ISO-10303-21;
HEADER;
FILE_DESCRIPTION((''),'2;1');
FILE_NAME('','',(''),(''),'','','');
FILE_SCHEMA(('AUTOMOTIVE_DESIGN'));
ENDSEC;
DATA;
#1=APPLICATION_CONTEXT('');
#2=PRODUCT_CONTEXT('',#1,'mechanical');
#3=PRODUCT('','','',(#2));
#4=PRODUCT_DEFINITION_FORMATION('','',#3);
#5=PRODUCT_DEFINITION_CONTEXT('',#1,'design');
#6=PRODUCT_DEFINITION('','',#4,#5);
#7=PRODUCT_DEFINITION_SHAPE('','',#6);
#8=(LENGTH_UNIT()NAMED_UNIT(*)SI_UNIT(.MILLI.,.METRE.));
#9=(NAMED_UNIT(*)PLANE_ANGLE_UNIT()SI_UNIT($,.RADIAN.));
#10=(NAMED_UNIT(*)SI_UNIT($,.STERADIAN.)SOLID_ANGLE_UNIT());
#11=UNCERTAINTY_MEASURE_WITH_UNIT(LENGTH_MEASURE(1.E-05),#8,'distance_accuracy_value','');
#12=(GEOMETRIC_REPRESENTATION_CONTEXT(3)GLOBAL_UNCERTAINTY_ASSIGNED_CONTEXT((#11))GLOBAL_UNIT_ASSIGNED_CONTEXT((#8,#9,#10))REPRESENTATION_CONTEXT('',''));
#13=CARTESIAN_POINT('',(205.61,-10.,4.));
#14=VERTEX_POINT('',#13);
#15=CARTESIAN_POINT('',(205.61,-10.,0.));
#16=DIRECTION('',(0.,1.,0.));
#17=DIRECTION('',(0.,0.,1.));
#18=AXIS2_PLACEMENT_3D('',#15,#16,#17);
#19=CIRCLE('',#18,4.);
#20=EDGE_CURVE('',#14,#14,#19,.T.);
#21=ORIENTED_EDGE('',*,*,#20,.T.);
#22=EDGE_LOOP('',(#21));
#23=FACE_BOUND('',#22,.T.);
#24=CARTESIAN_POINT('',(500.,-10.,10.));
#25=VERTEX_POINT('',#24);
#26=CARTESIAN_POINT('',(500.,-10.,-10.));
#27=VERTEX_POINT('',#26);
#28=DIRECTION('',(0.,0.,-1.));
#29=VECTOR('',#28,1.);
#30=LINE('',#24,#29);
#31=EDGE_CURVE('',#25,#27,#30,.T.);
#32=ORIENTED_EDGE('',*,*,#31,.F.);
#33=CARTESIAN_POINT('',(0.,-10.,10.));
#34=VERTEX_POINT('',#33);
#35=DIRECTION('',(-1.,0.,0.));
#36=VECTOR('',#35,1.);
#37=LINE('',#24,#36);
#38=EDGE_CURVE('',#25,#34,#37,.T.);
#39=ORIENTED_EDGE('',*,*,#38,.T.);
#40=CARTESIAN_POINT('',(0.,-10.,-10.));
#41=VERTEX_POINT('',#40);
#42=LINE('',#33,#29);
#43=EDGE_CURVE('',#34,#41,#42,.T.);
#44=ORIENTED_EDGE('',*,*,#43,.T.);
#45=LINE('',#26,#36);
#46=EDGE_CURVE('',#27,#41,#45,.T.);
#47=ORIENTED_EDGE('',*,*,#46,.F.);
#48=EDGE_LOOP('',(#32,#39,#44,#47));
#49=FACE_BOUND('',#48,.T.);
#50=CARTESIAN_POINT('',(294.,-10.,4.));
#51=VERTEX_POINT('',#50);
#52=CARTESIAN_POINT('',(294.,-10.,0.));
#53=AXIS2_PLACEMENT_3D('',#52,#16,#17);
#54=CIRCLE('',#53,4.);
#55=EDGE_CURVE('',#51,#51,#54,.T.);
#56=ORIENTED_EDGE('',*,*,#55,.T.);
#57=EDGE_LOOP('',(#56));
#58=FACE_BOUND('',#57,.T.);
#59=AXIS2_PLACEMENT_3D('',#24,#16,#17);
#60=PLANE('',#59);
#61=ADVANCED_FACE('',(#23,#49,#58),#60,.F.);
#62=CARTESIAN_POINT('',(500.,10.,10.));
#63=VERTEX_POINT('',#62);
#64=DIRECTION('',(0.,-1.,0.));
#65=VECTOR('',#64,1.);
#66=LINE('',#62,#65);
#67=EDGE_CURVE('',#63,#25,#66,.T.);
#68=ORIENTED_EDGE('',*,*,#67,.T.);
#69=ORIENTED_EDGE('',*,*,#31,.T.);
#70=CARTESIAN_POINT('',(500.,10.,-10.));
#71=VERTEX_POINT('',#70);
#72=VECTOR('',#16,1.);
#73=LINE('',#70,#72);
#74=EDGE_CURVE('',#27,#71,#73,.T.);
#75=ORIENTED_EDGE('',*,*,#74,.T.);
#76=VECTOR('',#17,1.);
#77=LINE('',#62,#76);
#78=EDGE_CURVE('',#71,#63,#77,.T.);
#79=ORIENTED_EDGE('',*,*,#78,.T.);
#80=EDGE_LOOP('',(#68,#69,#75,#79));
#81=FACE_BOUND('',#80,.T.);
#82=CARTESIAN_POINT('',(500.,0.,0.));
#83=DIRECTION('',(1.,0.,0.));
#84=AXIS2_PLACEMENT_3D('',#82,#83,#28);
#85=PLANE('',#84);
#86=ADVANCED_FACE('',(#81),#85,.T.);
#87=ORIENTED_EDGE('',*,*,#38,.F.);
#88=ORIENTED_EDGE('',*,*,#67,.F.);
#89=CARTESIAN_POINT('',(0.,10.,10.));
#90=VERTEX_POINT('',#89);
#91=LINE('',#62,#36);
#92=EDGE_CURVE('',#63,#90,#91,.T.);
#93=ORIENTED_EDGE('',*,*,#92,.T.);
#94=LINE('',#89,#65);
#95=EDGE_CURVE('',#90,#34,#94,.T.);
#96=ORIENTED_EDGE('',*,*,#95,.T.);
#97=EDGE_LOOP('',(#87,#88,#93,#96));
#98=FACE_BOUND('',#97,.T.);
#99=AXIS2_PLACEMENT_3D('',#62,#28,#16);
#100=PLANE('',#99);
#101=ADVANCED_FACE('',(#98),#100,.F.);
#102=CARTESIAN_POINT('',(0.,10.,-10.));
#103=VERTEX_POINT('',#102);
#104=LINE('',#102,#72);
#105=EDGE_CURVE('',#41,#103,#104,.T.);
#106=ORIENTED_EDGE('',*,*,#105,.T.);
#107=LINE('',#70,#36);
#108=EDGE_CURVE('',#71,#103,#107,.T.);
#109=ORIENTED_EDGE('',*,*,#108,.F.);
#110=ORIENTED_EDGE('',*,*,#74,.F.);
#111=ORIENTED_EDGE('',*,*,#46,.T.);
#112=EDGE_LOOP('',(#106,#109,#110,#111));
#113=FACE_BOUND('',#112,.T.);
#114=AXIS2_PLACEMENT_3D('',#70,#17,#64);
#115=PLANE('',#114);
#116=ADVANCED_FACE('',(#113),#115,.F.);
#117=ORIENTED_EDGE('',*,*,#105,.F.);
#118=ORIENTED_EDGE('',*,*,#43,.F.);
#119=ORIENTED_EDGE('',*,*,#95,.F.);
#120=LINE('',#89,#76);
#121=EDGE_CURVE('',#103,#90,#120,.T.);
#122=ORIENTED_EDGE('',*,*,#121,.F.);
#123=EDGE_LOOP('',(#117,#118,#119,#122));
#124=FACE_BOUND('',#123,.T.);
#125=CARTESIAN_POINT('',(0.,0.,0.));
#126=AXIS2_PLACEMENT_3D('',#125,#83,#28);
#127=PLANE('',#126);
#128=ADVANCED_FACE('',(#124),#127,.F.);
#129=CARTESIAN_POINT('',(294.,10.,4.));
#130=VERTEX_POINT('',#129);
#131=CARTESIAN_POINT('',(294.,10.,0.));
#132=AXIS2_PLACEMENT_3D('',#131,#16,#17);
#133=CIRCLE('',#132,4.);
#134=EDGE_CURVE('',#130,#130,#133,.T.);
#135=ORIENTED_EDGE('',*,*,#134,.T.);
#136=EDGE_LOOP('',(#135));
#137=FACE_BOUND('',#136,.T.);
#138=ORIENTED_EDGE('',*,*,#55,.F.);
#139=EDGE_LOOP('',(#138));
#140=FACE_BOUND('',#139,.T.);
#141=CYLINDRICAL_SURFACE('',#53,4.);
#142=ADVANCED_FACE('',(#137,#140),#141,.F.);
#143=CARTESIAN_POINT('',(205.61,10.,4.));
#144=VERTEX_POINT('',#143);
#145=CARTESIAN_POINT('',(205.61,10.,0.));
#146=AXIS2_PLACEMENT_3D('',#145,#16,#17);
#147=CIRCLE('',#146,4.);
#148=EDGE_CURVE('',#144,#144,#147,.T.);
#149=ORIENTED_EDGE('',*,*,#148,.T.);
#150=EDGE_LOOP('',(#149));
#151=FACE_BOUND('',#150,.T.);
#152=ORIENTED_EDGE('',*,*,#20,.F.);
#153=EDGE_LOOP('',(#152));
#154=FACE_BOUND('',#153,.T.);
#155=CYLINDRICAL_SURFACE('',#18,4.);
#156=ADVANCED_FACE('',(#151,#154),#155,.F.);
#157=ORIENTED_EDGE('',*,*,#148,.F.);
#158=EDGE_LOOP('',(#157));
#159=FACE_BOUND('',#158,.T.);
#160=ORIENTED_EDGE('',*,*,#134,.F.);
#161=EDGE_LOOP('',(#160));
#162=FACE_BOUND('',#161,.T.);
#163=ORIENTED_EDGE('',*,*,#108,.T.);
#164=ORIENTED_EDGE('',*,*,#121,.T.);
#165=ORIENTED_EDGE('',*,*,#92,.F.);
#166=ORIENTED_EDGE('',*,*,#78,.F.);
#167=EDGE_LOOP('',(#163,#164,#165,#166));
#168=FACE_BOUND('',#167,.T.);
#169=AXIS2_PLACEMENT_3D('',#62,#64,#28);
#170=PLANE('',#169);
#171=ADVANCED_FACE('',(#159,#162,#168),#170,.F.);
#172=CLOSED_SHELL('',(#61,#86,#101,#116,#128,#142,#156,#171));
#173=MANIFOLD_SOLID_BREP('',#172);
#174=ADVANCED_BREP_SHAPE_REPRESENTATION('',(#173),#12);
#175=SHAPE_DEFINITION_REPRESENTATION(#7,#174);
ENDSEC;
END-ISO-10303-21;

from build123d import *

# Parameters (mm, degrees)
SKETCH1_W           = 20
SKETCH1_H           = 20
BOSS_EXTRUDE1_DEPTH = 500
SKETCH2_R           = 4
CUT_EXTRUDE1_DEPTH  = 501.49975025


with BuildPart() as part:
    # Sketch1 → Boss-Extrude1 (new body)
    with BuildSketch(Plane(origin=(0, 0, 0), x_dir=(0, 0, -1), z_dir=(1, 0, 0))):
        Rectangle(SKETCH1_W, SKETCH1_H)
    extrude(amount=BOSS_EXTRUDE1_DEPTH)

    # Sketch2 → Cut-Extrude1 (cut, through all)
    with BuildSketch(Plane(origin=(0, 10, 0), x_dir=(1, 0, 0), z_dir=(0, 1, 0))):
        with Locations(Location((205.61, 0, 0), (0, 0, 270))):
            Circle(SKETCH2_R)
        with Locations(Location((294, 0, 0), (0, 0, 270))):
            Circle(SKETCH2_R)
    extrude(amount=-CUT_EXTRUDE1_DEPTH, mode=Mode.SUBTRACT)


solid = part.part
